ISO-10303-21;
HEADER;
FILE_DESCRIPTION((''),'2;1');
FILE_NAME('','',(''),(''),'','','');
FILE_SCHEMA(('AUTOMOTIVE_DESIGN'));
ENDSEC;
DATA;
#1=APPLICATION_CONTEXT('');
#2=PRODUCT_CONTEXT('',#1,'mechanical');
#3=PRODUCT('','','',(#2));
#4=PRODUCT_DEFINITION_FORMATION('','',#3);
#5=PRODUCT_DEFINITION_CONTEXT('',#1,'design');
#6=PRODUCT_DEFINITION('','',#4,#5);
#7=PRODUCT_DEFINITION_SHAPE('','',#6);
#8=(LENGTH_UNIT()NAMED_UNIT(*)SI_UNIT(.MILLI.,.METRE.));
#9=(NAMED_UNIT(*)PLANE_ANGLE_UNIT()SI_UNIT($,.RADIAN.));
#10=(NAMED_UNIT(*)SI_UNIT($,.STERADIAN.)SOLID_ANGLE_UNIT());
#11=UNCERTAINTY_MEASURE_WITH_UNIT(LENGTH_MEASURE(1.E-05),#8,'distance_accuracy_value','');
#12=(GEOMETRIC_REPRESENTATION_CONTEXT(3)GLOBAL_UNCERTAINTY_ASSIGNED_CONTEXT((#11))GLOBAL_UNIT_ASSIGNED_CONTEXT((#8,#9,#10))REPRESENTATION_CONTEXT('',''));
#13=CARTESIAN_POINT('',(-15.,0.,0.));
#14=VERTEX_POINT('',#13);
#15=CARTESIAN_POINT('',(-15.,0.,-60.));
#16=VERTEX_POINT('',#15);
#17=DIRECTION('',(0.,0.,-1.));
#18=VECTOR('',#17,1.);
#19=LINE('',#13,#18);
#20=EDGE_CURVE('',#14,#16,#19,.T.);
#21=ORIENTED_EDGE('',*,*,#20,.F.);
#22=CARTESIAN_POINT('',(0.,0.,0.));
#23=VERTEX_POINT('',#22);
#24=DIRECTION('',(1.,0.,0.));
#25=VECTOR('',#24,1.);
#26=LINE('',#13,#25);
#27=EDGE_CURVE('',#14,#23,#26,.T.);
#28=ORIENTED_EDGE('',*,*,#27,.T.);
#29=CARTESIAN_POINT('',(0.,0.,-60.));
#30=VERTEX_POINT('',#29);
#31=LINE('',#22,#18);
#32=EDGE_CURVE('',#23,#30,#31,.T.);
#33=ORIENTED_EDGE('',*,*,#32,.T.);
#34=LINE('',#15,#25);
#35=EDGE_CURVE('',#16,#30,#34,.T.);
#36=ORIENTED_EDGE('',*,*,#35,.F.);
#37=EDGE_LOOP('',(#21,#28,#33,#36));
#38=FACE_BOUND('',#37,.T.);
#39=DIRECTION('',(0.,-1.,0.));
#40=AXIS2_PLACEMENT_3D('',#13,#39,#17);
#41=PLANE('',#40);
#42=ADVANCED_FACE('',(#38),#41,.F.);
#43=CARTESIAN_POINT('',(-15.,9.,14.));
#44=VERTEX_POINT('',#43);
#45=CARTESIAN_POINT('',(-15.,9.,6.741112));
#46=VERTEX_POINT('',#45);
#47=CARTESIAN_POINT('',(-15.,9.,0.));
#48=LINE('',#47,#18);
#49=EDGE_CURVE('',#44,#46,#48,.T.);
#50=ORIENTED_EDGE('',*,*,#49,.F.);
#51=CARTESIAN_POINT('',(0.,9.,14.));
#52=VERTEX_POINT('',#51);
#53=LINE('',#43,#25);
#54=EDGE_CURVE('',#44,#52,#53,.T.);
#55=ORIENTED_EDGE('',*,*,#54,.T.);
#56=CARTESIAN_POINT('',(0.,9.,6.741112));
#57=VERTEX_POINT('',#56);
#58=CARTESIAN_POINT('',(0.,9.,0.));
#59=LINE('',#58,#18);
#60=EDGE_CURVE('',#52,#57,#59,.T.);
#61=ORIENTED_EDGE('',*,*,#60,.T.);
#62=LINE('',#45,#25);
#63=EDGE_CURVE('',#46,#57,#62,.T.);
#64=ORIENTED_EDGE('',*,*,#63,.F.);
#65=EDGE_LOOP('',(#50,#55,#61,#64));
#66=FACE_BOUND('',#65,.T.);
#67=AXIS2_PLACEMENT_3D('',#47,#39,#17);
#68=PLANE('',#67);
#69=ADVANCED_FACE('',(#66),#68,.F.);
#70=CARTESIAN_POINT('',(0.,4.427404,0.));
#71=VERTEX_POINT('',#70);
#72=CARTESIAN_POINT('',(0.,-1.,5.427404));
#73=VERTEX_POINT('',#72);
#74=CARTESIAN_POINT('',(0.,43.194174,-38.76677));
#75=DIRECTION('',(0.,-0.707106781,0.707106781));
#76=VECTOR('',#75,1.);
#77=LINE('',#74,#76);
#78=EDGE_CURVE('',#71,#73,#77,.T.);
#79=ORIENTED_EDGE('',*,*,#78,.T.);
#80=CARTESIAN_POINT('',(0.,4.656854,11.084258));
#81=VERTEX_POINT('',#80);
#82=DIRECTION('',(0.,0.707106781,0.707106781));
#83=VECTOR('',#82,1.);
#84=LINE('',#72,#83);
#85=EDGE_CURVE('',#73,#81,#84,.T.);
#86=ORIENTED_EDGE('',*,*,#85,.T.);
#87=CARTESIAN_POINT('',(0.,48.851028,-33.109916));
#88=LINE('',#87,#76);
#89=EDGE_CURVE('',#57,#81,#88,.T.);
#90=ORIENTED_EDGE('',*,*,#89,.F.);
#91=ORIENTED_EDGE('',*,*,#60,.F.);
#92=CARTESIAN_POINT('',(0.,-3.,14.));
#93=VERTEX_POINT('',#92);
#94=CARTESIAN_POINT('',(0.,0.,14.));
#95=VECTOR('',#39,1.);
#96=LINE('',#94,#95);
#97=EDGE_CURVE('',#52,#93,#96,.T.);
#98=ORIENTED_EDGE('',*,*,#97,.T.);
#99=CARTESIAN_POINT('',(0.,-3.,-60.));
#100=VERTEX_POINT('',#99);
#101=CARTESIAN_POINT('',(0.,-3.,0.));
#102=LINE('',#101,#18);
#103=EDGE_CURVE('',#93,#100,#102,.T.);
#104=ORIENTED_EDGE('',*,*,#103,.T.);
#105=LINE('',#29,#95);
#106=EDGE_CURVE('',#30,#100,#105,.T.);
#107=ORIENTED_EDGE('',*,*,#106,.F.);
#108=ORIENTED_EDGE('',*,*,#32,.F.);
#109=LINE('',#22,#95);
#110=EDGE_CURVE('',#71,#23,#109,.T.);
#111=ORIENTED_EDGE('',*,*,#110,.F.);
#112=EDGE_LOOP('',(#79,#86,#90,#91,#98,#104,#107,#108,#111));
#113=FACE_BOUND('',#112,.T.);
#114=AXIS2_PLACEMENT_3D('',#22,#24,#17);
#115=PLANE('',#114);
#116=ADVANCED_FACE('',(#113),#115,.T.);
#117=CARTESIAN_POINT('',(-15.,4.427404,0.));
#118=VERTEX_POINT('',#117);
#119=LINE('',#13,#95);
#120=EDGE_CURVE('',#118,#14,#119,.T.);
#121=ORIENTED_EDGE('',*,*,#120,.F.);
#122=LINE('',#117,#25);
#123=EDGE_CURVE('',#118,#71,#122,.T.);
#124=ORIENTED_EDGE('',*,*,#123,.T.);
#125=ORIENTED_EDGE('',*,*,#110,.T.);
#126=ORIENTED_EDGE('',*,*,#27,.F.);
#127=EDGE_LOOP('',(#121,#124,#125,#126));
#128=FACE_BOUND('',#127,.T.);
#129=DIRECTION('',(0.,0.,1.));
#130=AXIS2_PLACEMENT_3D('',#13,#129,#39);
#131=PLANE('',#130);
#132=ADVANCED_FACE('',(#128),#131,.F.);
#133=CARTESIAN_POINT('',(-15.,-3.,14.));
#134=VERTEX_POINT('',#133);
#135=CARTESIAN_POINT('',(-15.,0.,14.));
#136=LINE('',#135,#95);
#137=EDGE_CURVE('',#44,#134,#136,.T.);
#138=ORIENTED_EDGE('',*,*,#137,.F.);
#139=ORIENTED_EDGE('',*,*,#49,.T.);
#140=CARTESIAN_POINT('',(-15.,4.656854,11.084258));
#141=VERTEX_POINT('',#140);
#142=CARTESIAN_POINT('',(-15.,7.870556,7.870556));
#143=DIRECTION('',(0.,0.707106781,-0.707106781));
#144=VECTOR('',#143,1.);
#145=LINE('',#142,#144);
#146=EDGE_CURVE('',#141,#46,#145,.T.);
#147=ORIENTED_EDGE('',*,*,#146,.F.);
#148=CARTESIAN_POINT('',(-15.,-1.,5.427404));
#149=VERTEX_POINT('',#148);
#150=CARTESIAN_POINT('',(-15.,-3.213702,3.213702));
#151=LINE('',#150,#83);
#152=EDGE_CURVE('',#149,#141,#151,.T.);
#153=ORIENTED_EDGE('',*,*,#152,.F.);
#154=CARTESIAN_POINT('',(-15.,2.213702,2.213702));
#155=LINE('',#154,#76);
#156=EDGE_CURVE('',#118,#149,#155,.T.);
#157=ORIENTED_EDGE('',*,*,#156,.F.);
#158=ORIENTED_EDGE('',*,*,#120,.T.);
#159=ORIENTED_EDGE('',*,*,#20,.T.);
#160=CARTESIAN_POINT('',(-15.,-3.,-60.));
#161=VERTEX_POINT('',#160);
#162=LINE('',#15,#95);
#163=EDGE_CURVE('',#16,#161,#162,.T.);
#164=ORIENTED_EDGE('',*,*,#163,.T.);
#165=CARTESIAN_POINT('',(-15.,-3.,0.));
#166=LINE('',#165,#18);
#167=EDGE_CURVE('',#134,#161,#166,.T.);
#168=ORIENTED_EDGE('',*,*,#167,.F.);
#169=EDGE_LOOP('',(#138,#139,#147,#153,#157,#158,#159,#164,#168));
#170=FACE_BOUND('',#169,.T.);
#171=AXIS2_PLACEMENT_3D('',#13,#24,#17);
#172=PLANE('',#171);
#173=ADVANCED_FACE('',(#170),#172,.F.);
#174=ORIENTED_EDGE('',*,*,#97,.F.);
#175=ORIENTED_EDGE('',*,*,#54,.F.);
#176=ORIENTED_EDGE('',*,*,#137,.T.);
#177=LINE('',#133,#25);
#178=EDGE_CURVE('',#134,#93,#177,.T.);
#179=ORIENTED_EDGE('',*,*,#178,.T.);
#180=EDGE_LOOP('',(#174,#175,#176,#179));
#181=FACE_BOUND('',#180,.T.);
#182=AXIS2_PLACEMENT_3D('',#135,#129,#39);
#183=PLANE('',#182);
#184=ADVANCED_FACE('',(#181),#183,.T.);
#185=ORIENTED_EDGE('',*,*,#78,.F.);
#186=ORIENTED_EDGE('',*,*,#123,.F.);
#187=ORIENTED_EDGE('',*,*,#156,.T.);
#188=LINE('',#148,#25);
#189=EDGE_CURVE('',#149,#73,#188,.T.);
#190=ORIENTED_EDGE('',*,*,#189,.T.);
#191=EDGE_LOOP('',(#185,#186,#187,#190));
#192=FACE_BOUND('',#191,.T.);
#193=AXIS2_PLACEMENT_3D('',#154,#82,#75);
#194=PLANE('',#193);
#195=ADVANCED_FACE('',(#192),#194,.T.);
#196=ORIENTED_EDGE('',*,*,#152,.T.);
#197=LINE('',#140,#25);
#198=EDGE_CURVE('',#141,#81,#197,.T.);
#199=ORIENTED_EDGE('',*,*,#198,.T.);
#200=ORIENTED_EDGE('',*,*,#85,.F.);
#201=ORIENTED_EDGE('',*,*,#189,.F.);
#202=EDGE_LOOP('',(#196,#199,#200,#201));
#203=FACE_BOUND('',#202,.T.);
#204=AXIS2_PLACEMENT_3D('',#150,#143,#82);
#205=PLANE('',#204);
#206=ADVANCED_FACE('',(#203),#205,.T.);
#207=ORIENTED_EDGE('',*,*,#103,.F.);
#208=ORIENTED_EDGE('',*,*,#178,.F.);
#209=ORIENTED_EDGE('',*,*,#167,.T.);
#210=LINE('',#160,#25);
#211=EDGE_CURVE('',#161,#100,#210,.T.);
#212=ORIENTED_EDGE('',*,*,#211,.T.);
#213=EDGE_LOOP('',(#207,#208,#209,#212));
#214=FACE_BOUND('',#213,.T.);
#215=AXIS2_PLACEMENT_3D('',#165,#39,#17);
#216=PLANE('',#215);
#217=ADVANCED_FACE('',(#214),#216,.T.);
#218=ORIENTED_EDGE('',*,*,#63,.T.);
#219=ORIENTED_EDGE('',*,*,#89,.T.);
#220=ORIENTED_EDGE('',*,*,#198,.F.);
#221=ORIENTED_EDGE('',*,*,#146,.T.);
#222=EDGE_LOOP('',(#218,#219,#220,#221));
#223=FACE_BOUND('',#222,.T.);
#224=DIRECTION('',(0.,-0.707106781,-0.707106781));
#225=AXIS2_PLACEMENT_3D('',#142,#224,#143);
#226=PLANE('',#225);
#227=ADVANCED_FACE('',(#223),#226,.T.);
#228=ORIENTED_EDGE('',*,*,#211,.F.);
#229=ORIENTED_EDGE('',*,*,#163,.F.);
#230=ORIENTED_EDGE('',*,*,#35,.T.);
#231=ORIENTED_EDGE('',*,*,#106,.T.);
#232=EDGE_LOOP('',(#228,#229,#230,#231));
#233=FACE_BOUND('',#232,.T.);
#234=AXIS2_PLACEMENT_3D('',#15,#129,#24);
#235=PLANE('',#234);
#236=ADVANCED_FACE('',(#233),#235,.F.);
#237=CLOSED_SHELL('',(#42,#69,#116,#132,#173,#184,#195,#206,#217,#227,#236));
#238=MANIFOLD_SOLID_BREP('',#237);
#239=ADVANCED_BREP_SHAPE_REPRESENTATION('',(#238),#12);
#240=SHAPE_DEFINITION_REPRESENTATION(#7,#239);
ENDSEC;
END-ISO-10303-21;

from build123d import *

# Parameters (mm, degrees)
SKETCH1_W           = 14
SKETCH1_H           = 12
SKETCH1_W_2         = 60
SKETCH1_H_2         = 3
BOSS_EXTRUDE1_DEPTH = 15
CUT_EXTRUDE1_DEPTH  = 63.497999968


with BuildPart() as part:
    # Sketch1 → Boss-Extrude1 (new body)
    with BuildSketch(Plane(origin=(0, 0, 0), x_dir=(0, 0, -1), z_dir=(1, 0, 0))):
        with Locations((-7, 3)):
            Rectangle(SKETCH1_W, SKETCH1_H)
        with Locations((30, -1.5)):
            Rectangle(SKETCH1_W_2, SKETCH1_H_2)
    extrude(amount=-BOSS_EXTRUDE1_DEPTH)

    # Sketch6 → Cut-Extrude1 (cut, through all)
    with BuildSketch(Plane(origin=(0, 0, 0), x_dir=(0, 0, -1), z_dir=(1, 0, 0))):
        Polygon((0, 4.427403812), (0, 9), (-6.741112311, 9), (-11.084258062, 4.656854249), (-5.427403812, -1), align=None)
    extrude(amount=-CUT_EXTRUDE1_DEPTH, mode=Mode.SUBTRACT)


solid = part.part
